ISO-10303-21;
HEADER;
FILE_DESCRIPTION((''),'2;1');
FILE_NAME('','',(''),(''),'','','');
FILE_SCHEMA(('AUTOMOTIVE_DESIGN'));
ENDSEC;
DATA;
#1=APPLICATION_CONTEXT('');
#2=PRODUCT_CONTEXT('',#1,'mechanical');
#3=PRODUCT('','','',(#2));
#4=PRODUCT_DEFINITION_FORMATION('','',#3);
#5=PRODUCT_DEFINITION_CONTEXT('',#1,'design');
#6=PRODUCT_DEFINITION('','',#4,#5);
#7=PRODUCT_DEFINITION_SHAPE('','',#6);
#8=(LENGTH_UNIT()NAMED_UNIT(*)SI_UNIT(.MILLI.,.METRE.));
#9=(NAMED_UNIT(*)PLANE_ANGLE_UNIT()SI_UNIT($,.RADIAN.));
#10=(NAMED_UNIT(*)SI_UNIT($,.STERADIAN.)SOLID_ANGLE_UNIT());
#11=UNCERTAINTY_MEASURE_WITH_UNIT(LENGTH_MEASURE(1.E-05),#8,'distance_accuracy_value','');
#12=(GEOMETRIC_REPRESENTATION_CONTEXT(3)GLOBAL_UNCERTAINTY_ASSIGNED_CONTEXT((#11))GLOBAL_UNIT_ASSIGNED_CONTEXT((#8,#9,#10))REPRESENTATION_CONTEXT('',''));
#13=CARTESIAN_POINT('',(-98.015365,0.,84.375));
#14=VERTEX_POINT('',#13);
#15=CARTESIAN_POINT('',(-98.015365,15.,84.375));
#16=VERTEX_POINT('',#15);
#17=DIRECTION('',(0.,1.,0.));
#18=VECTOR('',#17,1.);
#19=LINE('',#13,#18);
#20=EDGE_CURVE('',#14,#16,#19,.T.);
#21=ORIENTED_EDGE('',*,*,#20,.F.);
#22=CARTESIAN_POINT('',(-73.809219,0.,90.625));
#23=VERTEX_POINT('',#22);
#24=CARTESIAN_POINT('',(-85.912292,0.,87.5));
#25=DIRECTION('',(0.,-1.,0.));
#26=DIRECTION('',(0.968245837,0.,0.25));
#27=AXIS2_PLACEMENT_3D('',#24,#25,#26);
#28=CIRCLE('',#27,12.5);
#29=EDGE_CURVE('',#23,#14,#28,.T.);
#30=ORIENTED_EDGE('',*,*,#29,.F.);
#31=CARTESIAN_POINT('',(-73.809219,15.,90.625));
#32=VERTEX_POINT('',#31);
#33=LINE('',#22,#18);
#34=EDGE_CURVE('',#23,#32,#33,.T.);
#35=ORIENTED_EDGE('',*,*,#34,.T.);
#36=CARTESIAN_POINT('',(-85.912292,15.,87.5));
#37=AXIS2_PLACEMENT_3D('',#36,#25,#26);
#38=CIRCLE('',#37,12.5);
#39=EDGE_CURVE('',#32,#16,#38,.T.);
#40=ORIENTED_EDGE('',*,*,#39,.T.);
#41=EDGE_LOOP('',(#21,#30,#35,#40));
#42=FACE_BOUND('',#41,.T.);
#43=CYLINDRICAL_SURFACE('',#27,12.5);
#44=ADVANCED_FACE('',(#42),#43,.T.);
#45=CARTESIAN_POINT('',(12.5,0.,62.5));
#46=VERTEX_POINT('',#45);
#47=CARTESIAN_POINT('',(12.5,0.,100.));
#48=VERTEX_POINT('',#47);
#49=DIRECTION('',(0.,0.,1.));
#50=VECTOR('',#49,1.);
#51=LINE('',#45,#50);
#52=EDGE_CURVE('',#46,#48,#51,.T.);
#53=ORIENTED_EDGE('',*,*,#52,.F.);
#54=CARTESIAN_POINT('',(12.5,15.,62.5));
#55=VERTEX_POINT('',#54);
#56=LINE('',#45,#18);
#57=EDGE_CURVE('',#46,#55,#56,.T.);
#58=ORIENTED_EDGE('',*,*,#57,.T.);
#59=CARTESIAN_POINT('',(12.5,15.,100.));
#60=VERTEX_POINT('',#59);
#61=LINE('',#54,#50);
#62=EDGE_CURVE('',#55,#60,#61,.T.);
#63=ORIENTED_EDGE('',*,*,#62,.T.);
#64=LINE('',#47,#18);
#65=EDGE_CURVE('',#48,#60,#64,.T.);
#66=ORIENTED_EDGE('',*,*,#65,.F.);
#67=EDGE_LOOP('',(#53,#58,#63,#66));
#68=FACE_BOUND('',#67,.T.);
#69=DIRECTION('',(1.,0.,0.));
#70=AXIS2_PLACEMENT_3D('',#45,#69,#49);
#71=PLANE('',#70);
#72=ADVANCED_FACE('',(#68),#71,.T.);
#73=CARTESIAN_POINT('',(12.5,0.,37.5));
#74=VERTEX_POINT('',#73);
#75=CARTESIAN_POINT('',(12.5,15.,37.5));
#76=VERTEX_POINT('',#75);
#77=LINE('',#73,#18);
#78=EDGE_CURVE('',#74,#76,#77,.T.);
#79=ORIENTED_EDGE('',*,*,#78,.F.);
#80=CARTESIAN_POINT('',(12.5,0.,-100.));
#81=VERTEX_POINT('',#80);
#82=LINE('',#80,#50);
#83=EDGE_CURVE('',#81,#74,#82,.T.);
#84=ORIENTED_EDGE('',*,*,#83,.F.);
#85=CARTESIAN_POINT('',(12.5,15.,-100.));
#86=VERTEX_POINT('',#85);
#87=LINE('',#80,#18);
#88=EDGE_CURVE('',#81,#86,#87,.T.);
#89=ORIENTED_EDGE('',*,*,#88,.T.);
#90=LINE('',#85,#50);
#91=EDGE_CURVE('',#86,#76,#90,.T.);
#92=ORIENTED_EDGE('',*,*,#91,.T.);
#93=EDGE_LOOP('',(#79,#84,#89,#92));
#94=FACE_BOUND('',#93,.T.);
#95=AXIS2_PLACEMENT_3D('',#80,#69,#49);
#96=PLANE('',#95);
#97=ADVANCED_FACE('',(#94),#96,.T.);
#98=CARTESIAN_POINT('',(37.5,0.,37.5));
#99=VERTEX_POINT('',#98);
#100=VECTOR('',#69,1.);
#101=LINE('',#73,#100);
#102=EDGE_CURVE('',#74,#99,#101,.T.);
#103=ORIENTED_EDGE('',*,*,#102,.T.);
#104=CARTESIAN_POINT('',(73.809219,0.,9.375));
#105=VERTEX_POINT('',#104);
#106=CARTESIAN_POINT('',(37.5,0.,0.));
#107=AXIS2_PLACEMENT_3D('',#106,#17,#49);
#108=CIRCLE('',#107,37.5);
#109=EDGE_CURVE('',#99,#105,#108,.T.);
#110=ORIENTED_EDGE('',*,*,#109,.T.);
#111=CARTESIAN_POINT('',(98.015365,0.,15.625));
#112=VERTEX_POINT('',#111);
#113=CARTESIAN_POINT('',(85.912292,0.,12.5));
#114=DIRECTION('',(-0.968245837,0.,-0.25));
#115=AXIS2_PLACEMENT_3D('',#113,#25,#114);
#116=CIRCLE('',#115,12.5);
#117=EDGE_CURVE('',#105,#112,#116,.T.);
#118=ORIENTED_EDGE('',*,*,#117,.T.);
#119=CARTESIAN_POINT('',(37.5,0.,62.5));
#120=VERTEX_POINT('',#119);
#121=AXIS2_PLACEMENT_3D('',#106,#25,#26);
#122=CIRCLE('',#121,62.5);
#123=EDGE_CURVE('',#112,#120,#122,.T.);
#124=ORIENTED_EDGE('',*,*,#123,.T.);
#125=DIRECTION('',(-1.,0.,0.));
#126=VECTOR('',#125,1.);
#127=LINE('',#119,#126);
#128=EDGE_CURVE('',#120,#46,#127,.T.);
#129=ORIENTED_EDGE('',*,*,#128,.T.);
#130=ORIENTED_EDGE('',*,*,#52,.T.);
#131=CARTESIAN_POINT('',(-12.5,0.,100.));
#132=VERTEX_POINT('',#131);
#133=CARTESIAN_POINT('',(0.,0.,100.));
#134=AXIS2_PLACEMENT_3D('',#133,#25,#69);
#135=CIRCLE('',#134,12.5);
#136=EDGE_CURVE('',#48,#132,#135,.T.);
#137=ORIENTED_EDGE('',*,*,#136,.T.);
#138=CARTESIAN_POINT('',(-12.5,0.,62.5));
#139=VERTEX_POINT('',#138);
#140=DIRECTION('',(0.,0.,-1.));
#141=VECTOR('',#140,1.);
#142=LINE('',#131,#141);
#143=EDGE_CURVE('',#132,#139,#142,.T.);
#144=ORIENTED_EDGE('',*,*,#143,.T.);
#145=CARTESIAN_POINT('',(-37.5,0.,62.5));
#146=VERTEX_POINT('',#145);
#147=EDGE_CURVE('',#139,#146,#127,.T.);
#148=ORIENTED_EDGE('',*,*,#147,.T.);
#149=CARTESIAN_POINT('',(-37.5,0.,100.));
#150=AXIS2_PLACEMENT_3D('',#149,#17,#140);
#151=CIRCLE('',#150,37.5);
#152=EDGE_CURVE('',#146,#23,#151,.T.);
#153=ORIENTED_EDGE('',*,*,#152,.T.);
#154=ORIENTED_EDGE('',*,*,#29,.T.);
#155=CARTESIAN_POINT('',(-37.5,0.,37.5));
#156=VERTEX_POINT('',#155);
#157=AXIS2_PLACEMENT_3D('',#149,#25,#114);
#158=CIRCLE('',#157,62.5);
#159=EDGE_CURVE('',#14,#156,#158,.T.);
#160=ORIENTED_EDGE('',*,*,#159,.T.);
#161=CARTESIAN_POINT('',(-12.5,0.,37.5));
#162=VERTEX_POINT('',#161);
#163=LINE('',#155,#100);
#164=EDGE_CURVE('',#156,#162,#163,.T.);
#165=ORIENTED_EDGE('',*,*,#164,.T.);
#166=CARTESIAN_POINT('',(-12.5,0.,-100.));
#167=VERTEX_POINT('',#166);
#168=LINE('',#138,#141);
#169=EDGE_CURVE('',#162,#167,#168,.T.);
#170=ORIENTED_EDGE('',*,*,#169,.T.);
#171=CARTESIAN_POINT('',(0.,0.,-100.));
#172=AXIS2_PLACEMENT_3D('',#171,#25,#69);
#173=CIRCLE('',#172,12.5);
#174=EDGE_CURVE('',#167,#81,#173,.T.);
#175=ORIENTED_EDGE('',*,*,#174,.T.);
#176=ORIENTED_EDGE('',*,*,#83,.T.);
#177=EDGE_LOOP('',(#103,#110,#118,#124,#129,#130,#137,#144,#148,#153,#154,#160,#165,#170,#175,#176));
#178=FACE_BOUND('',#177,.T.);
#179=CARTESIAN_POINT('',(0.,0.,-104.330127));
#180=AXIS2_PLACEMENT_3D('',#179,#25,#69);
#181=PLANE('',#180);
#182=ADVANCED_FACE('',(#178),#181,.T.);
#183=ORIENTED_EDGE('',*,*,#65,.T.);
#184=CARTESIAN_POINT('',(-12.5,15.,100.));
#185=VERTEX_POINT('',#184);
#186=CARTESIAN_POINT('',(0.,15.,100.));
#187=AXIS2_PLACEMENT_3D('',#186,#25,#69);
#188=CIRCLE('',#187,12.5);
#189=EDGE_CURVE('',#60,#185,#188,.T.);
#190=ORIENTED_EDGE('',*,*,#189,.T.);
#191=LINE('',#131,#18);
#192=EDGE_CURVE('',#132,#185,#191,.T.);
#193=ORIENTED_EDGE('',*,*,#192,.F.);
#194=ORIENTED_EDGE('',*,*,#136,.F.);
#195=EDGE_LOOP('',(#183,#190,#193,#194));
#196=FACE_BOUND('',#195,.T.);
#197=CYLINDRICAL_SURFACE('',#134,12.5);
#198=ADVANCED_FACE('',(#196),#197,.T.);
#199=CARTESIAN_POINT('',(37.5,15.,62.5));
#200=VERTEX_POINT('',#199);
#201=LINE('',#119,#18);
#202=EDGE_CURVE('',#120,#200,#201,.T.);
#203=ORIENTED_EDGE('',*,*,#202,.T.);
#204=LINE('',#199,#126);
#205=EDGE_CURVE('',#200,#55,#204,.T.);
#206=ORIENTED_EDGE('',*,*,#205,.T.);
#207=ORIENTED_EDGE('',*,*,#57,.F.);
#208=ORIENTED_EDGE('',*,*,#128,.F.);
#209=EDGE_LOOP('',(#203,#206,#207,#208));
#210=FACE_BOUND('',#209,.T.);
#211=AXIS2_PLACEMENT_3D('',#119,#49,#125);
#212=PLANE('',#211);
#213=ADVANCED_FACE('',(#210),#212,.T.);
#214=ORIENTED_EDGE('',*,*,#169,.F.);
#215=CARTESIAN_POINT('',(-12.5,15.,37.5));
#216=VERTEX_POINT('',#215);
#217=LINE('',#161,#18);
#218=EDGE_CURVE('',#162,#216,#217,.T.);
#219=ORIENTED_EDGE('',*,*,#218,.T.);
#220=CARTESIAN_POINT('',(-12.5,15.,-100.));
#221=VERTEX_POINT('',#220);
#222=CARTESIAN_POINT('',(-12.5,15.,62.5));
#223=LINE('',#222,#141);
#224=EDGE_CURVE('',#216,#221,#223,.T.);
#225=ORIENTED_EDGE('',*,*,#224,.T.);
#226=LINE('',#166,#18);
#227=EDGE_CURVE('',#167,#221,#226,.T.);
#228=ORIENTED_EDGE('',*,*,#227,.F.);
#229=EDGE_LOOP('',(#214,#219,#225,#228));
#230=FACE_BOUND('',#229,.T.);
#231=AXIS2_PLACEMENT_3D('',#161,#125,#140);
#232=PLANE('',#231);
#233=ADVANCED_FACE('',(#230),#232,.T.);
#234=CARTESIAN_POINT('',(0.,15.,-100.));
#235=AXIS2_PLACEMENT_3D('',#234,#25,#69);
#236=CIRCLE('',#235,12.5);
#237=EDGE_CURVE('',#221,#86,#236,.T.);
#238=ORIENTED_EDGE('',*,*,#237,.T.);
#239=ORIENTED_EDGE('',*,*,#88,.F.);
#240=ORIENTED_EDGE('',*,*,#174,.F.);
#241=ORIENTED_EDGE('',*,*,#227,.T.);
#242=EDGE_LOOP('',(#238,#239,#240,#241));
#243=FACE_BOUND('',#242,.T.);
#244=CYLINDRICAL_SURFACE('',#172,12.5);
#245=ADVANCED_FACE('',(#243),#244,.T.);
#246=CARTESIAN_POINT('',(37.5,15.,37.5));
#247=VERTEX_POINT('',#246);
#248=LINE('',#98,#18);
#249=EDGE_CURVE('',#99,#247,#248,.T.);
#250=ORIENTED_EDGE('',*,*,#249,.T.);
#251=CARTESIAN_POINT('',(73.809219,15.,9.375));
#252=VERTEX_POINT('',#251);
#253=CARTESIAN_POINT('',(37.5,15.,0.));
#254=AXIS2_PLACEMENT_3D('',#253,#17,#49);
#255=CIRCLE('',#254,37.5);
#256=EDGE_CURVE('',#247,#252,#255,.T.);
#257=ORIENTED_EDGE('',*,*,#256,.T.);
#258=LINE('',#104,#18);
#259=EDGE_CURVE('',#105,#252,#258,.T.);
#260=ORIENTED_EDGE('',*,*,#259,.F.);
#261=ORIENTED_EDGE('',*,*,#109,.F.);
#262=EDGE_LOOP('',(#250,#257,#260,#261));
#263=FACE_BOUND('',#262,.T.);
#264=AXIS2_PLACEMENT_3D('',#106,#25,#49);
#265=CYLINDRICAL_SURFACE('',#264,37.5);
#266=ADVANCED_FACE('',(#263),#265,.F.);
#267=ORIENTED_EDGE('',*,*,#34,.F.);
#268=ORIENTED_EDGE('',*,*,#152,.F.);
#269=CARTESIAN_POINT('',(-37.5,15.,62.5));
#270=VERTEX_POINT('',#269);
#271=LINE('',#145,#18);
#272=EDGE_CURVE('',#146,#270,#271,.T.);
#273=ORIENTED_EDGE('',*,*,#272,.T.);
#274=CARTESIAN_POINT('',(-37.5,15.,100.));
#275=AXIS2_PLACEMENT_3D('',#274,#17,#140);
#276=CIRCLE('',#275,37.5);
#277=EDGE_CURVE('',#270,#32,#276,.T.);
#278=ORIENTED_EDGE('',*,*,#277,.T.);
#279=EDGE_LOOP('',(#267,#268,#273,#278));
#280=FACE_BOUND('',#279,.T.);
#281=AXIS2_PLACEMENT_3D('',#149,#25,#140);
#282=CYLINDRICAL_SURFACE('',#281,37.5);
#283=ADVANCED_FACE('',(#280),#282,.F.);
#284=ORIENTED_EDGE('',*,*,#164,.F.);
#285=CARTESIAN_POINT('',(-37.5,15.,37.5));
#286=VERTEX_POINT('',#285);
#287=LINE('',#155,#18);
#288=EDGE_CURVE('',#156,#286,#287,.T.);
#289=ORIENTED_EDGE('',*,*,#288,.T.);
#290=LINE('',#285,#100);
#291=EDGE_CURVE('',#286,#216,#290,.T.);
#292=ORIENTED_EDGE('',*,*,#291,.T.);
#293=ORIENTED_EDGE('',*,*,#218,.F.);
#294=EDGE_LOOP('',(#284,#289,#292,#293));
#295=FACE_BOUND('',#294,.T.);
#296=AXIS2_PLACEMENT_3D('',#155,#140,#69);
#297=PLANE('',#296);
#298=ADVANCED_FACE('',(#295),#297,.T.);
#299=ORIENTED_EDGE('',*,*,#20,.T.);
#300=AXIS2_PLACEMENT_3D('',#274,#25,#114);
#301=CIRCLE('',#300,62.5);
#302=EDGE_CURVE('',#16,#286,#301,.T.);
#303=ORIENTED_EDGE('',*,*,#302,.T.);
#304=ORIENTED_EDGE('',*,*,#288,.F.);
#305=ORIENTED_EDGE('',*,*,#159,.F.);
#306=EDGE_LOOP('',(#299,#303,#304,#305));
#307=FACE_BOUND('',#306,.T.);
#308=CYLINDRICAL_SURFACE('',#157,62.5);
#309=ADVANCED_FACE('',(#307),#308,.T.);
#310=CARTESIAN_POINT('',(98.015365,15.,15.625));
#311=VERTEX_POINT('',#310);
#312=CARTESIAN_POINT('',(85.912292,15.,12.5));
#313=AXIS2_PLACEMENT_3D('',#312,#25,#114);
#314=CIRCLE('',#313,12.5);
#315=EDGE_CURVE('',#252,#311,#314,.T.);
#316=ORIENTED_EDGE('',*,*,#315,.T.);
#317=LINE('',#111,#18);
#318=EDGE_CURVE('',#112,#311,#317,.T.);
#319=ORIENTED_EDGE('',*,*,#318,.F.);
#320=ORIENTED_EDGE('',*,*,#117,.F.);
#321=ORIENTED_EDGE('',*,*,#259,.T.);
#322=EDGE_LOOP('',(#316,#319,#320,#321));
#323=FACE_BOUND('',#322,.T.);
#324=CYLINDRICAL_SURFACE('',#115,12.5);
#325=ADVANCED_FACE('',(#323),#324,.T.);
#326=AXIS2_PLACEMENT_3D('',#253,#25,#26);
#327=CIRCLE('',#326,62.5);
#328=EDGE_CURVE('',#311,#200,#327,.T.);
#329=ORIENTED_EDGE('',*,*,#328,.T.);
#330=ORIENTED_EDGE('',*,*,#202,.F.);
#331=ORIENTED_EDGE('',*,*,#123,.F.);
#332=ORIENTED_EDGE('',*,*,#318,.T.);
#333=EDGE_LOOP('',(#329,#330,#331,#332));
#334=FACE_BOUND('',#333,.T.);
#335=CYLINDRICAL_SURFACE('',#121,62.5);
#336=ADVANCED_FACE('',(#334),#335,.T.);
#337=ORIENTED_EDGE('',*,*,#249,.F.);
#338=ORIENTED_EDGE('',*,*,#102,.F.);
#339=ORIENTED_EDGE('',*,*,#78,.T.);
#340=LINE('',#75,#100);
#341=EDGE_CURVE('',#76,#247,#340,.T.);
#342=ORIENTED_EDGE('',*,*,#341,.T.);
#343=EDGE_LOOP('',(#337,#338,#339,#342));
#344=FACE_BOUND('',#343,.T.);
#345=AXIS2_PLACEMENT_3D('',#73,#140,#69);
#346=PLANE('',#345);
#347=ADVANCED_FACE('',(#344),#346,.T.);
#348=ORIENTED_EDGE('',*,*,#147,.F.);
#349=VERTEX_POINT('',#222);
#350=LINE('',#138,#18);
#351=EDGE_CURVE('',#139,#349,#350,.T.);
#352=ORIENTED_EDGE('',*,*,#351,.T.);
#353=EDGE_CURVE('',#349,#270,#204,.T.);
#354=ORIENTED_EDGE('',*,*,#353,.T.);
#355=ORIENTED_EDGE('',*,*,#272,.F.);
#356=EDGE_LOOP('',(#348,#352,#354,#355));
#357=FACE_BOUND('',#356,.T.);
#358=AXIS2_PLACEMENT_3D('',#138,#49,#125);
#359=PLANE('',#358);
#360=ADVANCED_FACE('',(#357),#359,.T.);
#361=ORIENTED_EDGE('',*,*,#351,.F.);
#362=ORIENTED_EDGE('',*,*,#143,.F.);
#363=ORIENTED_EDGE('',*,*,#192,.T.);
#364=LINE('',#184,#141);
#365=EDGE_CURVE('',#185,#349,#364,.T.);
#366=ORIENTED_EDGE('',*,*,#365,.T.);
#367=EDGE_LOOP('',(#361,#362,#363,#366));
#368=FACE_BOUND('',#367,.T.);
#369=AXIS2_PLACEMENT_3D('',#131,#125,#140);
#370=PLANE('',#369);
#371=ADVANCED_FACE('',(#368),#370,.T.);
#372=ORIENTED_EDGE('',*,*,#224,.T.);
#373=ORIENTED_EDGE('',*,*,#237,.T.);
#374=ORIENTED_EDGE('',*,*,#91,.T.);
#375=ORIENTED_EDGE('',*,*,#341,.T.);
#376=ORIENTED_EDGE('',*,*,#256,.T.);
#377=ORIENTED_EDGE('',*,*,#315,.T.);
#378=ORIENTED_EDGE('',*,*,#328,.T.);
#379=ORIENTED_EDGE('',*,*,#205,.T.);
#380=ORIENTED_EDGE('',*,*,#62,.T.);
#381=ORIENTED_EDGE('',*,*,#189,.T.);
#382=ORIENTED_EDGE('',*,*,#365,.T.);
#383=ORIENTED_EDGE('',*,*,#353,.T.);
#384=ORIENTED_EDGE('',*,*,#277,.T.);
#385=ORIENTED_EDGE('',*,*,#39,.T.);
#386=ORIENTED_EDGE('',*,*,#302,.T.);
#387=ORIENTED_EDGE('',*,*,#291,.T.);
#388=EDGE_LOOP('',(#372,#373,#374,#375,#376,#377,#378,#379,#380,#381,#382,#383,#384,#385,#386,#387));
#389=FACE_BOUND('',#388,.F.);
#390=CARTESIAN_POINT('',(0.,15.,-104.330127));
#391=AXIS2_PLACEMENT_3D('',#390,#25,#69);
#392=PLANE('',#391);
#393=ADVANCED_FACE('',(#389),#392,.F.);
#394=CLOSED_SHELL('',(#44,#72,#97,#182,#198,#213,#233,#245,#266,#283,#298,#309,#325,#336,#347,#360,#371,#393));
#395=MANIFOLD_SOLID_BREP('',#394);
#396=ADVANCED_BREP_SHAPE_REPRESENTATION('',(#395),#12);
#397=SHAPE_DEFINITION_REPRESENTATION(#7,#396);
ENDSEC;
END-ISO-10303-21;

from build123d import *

# Parameters (mm, degrees)
F0_W     = 25
F0_H     = 12.5
F1_DEPTH = 15


with BuildPart() as f1:
    # F0 (on Front) → F1 (new body)
    with BuildSketch(Plane.XZ):
        with BuildLine():
            Line((12.5, -100), (-12.5, -100))
            ThreePointArc((-12.5, -100), (0, -112.5), (12.5, -100))
        make_face()
        with BuildLine():
            ThreePointArc((12.5, -100), (0, -87.5), (-12.5, -100))
            Line((-12.5, -100), (12.5, -100))
        make_face()
        with BuildLine():
            Line((12.5, 37.5), (-12.5, 37.5))
            Line((-12.5, 37.5), (-12.5, -100))
            ThreePointArc((-12.5, -100), (0, -87.5), (12.5, -100))
            Line((12.5, -100), (12.5, 37.5))
        make_face()
        with Locations((0, 56.25)):
            Rectangle(F0_W, F0_H)
        with Locations((0, 43.75)):
            Rectangle(F0_W, F0_H)
        with BuildLine():
            Line((-12.5, 50), (-12.5, 62.5))
            Line((-12.5, 62.5), (-37.5, 62.5))
            ThreePointArc((-37.5, 62.5), (-60.4639663386, 70.3536469359), (-73.8092188707, 90.625))
            ThreePointArc((-73.8092188707, 90.625), (-89.0372918276, 99.6030729569), (-98.0153647845, 84.375))
            ThreePointArc((-98.0153647845, 84.375), (-75.773277231, 50.5894115599), (-37.5, 37.5))
            Line((-37.5, 37.5), (-12.5, 37.5))
            Line((-12.5, 37.5), (-12.5, 50))
        make_face()
        with BuildLine():
            Line((37.5, 50), (12.5, 50))
            Line((12.5, 50), (12.5, 37.5))
            Line((12.5, 37.5), (37.5, 37.5))
            ThreePointArc((37.5, 37.5), (60.4639663386, 29.6463530641), (73.8092188707, 9.375))
            ThreePointArc((73.8092188707, 9.375), (89.0372918276, 0.3969270431), (98.0153647845, 15.625))
            ThreePointArc((98.0153647845, 15.625), (75.773277231, 49.4105884401), (37.5, 62.5))
            ThreePointArc((37.5, 62.5), (46.875, 58.2679728471), (49.9019592706, 48.4375))
            ThreePointArc((49.9019592706, 48.4375), (43.75, 49.6078370825), (37.5, 50))
        make_face()
        with BuildLine():
            Line((37.5, 62.5), (12.5, 62.5))
            Line((12.5, 62.5), (12.5, 50))
            Line((12.5, 50), (37.5, 50))
            ThreePointArc((37.5, 50), (43.75, 49.6078370825), (49.9019592706, 48.4375))
            ThreePointArc((49.9019592706, 48.4375), (46.875, 58.2679728471), (37.5, 62.5))
        make_face()
        with BuildLine():
            ThreePointArc((12.5, 100), (0, 87.5), (-12.5, 100))
            Line((-12.5, 100), (-12.5, 62.5))
            Line((-12.5, 62.5), (12.5, 62.5))
            Line((12.5, 62.5), (12.5, 100))
        make_face()
        with BuildLine():
            Line((12.5, 100), (-12.5, 100))
            ThreePointArc((-12.5, 100), (0, 87.5), (12.5, 100))
        make_face()
        with BuildLine():
            ThreePointArc((12.5, 100), (0, 112.5), (-12.5, 100))
            Line((-12.5, 100), (12.5, 100))
        make_face()
    extrude(amount=-F1_DEPTH)


solid = f1.part
